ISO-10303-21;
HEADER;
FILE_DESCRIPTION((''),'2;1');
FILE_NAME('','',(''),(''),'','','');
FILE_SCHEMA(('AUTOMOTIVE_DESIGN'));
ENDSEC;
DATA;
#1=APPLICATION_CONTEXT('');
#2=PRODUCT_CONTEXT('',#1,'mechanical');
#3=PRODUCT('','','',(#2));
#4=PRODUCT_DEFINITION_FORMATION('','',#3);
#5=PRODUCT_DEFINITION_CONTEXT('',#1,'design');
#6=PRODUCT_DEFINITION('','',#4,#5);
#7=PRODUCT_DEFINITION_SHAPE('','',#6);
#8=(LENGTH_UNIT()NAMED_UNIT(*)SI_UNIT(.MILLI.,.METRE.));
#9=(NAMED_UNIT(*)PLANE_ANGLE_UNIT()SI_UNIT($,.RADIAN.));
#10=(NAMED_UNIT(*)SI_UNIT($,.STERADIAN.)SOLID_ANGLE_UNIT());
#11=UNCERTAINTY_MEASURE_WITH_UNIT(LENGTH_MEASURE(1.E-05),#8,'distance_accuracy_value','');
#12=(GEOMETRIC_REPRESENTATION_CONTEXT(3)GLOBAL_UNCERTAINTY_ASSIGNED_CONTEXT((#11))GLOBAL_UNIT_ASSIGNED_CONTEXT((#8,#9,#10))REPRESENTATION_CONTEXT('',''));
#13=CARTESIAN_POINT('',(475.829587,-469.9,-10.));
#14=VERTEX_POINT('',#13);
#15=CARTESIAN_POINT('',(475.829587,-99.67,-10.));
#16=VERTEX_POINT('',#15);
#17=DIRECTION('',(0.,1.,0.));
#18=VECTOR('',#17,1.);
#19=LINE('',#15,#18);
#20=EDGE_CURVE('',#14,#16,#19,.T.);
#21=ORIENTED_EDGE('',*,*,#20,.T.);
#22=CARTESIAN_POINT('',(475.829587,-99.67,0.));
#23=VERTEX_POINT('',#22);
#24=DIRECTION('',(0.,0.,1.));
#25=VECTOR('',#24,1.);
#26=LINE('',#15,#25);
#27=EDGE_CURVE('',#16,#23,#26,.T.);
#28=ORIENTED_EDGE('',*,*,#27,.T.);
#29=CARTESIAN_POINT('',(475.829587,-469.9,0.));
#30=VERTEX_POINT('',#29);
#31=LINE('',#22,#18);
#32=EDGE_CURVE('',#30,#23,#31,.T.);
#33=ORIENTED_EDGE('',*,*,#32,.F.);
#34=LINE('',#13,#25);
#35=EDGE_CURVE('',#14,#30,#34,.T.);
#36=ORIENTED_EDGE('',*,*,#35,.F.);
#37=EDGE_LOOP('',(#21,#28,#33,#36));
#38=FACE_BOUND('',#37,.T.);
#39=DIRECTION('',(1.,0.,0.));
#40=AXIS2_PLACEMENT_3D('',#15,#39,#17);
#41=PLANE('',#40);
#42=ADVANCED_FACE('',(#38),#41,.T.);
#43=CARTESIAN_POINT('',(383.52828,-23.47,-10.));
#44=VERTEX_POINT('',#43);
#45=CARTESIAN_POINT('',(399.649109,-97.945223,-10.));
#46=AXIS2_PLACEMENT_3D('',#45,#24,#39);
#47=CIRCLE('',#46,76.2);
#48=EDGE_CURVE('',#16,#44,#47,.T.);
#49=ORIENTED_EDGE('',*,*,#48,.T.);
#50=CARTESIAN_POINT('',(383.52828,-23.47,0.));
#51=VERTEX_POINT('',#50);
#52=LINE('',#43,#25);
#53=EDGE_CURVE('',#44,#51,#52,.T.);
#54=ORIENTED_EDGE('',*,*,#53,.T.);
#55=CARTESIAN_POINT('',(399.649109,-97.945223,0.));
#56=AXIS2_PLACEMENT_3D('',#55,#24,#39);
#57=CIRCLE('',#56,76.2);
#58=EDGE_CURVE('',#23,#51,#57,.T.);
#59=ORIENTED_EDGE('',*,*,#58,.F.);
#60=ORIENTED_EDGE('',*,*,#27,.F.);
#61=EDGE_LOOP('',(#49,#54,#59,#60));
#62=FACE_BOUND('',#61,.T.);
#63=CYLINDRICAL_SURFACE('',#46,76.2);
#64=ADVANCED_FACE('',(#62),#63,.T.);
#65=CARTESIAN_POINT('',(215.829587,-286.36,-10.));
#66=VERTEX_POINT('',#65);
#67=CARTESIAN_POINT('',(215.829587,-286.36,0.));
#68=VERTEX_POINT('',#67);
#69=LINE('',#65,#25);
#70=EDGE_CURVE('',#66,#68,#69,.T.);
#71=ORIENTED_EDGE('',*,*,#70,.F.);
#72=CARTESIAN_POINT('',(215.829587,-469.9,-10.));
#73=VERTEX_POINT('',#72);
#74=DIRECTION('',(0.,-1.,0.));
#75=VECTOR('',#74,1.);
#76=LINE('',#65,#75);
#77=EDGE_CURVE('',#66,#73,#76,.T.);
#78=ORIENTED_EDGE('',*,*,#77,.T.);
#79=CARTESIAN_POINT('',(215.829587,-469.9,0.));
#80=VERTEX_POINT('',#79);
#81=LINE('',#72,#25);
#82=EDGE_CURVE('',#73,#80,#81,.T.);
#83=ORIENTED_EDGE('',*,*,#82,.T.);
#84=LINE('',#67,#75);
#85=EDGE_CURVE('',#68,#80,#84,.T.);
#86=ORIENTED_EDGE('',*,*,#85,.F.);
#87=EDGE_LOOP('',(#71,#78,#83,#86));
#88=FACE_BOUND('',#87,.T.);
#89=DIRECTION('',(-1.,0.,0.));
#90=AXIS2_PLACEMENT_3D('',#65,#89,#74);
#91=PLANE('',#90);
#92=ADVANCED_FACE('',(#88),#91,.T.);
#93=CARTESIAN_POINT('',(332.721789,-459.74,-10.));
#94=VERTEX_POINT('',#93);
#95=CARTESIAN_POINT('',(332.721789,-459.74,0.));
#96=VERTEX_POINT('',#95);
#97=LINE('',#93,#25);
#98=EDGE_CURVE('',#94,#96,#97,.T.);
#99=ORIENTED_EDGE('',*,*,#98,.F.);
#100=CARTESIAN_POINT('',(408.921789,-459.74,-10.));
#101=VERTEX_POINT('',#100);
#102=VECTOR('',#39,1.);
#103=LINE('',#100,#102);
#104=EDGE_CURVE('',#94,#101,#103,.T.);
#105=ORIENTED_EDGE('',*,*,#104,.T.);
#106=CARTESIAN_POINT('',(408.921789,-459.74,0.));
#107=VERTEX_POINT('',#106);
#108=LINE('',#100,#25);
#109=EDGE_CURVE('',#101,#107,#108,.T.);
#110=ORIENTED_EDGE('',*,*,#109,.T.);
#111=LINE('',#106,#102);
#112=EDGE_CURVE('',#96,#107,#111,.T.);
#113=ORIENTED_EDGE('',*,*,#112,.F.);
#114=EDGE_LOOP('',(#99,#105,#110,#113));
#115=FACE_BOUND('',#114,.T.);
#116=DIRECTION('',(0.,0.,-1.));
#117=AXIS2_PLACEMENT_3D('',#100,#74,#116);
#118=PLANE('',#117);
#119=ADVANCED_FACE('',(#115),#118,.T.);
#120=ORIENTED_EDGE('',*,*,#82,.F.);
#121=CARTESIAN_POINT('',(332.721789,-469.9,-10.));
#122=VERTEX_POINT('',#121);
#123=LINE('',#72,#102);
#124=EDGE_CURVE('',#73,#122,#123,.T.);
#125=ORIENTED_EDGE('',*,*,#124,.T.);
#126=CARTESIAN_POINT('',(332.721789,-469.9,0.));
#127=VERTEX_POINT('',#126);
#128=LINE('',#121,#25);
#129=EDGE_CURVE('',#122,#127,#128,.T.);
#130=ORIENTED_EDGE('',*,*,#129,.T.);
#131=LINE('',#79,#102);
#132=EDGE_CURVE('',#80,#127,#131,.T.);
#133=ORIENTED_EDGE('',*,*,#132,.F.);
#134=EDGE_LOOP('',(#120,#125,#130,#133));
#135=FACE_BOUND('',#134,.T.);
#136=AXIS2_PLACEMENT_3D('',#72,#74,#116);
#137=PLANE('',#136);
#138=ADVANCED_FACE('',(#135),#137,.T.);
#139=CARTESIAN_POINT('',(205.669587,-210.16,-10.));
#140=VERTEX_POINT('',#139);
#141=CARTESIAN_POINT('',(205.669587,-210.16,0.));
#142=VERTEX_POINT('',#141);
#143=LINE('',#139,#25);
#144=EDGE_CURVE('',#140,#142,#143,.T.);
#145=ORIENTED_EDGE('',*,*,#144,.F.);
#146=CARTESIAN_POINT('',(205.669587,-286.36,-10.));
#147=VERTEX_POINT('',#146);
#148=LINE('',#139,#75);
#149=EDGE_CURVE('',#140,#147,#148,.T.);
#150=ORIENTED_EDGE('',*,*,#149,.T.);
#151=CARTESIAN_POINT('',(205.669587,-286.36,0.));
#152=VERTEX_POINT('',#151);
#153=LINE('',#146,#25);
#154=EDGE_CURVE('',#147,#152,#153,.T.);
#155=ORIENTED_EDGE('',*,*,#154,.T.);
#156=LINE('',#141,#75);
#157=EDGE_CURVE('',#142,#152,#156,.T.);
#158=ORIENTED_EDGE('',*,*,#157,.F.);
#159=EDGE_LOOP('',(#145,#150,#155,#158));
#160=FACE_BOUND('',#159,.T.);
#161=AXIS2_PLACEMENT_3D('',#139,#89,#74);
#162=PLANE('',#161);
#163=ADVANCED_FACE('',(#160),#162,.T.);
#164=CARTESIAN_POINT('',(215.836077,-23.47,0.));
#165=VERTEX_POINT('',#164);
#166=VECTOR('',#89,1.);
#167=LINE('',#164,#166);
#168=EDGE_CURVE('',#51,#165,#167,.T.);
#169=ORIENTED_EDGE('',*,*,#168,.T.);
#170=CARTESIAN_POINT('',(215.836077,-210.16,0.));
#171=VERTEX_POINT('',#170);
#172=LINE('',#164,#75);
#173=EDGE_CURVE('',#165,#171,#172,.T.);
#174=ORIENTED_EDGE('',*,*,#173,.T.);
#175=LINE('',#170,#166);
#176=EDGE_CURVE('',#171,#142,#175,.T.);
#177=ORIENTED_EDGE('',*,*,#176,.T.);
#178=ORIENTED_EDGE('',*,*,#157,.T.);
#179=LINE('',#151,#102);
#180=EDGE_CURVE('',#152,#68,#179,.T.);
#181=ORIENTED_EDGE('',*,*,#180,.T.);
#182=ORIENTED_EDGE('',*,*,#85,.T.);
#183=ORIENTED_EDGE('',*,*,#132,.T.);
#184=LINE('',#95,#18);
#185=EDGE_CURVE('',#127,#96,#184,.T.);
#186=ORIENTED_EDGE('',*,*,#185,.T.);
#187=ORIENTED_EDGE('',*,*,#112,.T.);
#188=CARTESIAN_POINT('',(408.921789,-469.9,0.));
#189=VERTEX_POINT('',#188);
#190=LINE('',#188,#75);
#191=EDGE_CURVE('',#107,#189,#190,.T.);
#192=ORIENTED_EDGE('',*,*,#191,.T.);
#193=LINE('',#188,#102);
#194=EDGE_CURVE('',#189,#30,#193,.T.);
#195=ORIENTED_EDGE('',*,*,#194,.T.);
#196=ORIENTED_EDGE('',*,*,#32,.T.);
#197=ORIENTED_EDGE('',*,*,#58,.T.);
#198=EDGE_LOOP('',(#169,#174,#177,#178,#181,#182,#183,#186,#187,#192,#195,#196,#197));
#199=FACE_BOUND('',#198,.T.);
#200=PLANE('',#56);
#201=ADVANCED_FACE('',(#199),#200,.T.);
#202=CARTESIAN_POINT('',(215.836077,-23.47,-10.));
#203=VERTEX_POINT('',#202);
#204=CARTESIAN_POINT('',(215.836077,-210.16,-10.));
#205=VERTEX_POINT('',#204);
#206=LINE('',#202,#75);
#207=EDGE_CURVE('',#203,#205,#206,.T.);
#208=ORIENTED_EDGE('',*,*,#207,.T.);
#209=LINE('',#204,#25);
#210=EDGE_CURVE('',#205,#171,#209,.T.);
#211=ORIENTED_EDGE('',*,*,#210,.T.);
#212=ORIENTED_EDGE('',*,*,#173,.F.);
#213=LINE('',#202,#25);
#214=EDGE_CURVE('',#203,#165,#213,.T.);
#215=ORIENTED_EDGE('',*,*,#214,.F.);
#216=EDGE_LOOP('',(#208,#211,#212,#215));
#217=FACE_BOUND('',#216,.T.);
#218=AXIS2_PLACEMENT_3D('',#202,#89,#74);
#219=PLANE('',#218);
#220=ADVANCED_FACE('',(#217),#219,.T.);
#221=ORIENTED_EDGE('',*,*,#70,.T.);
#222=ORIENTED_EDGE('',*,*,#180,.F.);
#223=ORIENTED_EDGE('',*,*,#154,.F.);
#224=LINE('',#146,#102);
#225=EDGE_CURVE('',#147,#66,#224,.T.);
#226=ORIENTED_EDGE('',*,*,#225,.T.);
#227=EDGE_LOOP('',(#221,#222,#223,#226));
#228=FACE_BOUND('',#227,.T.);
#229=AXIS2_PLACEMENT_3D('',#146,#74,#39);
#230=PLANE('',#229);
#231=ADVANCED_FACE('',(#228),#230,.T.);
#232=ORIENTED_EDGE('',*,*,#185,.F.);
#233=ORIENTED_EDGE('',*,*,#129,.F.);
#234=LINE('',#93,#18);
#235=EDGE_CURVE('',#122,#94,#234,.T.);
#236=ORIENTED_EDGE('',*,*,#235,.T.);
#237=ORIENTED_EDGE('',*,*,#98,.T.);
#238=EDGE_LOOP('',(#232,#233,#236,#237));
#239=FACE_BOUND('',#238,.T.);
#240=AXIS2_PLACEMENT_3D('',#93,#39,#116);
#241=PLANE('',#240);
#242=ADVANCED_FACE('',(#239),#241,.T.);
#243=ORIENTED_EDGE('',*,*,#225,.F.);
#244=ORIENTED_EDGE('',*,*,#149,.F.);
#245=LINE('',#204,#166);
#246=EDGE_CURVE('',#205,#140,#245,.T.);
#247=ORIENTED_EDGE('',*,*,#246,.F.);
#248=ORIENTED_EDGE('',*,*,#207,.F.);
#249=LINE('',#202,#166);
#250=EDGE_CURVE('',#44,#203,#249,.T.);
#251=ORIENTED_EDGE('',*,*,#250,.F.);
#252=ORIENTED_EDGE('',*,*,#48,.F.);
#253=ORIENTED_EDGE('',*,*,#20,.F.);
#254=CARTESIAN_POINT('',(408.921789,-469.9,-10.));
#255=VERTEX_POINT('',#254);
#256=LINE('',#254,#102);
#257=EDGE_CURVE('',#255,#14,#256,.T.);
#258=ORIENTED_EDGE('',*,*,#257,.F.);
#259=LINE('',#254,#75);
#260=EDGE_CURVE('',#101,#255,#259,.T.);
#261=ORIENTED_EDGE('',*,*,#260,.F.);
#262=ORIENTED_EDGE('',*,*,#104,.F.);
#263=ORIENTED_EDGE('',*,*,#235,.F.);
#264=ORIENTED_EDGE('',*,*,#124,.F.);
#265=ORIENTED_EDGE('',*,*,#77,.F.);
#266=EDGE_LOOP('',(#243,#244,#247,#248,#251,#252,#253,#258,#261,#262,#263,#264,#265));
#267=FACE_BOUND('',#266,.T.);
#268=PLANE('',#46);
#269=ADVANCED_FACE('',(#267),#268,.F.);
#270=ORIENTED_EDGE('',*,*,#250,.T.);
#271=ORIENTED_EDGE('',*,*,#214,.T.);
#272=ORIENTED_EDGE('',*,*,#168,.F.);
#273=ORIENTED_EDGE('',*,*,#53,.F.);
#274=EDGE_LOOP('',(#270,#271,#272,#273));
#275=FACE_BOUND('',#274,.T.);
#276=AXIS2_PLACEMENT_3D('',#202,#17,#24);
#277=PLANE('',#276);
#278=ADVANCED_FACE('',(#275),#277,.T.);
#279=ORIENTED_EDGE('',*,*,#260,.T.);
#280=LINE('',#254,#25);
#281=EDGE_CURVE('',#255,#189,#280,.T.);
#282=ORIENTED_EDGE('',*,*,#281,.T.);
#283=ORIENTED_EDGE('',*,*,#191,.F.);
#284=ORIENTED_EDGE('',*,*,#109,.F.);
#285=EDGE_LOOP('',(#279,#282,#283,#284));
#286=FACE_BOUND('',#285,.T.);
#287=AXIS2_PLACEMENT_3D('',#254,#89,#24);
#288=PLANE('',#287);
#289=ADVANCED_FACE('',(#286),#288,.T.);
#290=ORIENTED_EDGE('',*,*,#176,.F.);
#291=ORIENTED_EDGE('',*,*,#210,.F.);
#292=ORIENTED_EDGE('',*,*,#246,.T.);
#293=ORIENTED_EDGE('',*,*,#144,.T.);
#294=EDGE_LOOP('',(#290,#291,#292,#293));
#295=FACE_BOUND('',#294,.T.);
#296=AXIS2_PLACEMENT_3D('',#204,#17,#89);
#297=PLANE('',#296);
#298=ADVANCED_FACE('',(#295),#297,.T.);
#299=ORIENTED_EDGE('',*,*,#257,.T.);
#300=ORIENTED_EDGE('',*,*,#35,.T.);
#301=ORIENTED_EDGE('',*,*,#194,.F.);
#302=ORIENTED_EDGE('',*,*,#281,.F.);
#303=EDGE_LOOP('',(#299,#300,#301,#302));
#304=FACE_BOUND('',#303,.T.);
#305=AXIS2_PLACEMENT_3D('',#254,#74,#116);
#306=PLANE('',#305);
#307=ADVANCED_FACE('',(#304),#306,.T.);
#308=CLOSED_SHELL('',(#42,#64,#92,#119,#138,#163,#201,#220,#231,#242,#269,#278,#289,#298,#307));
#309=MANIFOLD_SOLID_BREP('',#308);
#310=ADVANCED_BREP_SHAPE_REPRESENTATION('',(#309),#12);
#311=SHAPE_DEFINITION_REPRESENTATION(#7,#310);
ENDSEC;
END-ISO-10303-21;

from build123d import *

# Parameters (mm, degrees)
BOSS_EXTRUDE1_DEPTH = 10


with BuildPart() as part:
    # Sketch1 → Boss-Extrude1 (new body)
    with BuildSketch(Plane.XY):
        with BuildLine():
            Line((215.836077164, -23.47), (383.528279606, -23.47))
            ThreePointArc((383.528279606, -23.47), (448.16096685, -39.182652673), (475.829586762, -99.67))
            Line((475.829586762, -99.67), (475.829586762, -469.9))
            Line((475.829586762, -469.9), (408.921789204, -469.9))
            Line((408.921789204, -469.9), (408.921789204, -459.74))
            Line((408.921789204, -459.74), (332.721789204, -459.74))
            Line((332.721789204, -459.74), (332.721789204, -469.9))
            Line((332.721789204, -469.9), (215.829586762, -469.9))
            Line((215.829586762, -469.9), (215.829586762, -286.36))
            Line((215.829586762, -286.36), (205.669586762, -286.36))
            Line((205.669586762, -286.36), (205.669586762, -210.16))
            Line((205.669586762, -210.16), (215.836077164, -210.16))
            Line((215.836077164, -210.16), (215.836077164, -23.47))
        make_face()
    extrude(amount=-BOSS_EXTRUDE1_DEPTH)


solid = part.part
